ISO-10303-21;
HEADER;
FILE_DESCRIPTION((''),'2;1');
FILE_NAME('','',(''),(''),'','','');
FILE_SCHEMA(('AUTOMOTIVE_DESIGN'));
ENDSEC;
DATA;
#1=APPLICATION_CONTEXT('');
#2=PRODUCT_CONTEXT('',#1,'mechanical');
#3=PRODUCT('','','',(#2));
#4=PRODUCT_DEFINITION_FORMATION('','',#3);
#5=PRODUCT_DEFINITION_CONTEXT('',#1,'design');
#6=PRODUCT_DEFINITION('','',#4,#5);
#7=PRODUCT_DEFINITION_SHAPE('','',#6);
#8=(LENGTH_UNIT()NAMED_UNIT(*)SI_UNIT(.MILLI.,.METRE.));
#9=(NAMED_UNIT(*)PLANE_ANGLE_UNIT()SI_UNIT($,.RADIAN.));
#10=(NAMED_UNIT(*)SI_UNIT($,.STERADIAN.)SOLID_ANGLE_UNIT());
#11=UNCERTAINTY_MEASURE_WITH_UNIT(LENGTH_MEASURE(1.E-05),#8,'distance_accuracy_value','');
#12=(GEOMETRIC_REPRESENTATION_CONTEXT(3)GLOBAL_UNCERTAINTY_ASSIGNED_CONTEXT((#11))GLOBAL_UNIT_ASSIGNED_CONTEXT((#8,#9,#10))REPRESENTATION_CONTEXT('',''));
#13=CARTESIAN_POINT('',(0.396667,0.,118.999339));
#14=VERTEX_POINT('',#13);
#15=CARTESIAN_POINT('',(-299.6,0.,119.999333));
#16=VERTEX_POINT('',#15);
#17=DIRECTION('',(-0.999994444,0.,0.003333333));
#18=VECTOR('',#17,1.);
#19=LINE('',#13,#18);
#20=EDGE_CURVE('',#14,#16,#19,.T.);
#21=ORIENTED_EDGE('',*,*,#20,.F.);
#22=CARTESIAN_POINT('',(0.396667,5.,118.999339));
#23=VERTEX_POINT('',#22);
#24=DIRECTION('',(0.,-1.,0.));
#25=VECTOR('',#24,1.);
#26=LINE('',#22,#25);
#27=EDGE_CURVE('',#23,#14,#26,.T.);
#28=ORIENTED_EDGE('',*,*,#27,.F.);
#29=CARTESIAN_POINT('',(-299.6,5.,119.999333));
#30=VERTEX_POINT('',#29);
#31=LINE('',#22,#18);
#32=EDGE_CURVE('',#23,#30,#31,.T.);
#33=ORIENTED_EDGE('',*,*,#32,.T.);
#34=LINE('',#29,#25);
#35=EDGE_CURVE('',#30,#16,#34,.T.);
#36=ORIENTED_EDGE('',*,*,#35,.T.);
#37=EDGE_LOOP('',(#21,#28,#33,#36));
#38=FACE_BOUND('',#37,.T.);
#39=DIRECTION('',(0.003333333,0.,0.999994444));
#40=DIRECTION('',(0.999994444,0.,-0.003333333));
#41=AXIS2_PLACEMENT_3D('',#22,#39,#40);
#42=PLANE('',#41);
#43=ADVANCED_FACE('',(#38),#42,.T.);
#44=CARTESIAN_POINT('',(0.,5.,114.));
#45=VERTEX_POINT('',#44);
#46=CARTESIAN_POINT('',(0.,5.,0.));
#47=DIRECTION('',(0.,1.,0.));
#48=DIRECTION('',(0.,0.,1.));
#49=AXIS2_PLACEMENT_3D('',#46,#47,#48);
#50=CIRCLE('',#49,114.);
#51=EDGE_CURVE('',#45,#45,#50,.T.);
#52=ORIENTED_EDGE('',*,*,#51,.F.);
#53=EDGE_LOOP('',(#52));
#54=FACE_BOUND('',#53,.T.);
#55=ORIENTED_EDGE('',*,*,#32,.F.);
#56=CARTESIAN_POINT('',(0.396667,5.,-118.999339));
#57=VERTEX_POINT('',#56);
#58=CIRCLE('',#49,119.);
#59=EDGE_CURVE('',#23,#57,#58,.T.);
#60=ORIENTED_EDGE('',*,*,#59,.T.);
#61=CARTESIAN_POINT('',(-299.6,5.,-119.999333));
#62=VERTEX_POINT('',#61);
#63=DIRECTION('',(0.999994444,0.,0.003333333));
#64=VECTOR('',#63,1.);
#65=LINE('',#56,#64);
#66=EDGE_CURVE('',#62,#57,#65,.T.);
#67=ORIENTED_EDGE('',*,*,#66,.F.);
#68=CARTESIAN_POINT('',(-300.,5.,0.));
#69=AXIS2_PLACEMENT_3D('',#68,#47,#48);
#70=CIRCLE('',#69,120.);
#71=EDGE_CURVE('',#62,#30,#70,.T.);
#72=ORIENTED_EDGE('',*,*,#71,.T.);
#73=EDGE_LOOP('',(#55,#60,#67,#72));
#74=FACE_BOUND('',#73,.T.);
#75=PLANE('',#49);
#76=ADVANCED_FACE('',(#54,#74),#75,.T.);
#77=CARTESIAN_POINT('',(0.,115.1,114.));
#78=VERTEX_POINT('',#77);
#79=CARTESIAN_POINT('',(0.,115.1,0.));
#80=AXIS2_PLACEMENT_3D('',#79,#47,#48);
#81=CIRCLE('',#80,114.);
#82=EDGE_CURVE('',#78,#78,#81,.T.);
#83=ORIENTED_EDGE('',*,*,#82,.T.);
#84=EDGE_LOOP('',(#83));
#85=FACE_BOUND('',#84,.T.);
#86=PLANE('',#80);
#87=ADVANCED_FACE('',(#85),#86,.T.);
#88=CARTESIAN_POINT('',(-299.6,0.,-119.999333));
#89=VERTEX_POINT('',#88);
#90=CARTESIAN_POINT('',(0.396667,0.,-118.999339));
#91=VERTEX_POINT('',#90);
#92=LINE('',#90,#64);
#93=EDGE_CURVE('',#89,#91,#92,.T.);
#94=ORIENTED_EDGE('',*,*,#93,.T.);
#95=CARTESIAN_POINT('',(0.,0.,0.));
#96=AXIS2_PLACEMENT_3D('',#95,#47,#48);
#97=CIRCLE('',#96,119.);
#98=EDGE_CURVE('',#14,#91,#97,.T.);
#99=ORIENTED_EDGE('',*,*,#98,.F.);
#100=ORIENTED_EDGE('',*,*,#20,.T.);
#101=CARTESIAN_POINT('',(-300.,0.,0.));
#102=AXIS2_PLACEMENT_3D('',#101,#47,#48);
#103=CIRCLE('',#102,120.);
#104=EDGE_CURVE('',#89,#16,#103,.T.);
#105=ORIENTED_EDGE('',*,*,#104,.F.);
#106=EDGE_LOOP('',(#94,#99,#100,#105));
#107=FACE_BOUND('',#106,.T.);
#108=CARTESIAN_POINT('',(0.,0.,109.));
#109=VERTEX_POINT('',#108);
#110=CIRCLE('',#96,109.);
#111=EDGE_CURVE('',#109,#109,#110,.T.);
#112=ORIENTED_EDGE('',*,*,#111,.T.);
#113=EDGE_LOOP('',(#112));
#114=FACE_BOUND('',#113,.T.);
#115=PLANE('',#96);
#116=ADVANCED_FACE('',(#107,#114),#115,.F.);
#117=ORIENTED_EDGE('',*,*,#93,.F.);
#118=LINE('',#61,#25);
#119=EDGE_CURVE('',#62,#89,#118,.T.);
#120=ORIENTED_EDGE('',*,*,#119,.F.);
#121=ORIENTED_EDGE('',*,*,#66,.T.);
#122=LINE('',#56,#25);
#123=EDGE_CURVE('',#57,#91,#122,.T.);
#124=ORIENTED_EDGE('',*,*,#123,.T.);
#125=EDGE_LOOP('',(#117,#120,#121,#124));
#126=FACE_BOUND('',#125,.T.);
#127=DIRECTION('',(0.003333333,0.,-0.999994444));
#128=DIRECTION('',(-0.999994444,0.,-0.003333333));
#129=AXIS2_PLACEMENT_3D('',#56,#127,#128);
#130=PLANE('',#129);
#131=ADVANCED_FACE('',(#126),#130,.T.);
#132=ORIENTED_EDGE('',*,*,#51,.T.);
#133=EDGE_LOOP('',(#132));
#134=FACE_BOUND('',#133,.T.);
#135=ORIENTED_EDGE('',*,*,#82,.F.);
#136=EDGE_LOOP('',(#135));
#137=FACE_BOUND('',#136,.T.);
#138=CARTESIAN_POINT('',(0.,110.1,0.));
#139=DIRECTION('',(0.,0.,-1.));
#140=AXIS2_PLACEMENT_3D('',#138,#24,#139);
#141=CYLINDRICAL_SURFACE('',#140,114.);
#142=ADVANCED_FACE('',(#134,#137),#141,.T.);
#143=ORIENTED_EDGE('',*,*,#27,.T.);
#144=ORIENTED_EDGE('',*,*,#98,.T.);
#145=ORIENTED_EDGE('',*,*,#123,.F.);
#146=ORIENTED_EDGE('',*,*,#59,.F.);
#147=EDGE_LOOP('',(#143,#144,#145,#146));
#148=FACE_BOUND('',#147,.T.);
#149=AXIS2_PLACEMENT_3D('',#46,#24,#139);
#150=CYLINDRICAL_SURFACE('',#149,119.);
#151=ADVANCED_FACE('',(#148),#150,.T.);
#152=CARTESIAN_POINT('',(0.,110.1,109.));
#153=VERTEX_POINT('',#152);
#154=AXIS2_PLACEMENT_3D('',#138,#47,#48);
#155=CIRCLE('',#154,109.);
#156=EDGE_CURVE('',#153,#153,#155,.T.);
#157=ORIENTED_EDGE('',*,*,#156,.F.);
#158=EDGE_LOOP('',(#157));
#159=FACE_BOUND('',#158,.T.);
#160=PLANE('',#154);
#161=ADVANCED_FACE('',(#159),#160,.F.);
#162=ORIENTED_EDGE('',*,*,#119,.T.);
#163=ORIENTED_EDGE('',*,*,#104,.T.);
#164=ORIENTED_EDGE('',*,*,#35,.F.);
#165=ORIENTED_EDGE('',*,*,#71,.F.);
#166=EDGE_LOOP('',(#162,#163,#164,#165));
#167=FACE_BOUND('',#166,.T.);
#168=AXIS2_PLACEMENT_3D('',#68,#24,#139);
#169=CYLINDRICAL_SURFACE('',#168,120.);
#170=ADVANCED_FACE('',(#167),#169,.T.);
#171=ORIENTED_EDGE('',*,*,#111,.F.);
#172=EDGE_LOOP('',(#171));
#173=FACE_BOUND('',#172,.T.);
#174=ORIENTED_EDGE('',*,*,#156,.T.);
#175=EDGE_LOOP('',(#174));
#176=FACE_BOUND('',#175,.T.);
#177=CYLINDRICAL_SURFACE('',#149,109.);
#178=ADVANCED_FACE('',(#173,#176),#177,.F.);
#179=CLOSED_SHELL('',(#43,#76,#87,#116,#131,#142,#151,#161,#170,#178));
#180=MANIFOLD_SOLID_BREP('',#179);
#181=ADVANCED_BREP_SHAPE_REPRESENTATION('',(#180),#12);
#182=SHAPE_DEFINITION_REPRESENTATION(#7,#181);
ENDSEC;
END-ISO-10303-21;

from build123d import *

# Parameters (mm, degrees)
SKETCH1_R           = 109
BOSS_EXTRUDE1_DEPTH = 5
SKETCH2_R           = 114
SKETCH2_R_2         = 109
BOSS_EXTRUDE2_DEPTH = 105.1
SKETCH3_R           = 114
BOSS_EXTRUDE3_DEPTH = 5


with BuildPart() as part:
    # Sketch1 → Boss-Extrude1 (new body)
    with BuildSketch(Plane(origin=(0, 0, 0), x_dir=(1, 0, 0), z_dir=(0, 1, 0))):
        with BuildLine():
            Line((-299.6, 119.999333331), (0.396666667, 118.999338887))
            ThreePointArc((0.396666667, 118.999338887), (119, 0), (0.396666667, -118.999338887))
            Line((0.396666667, -118.999338887), (-299.6, -119.999333331))
            ThreePointArc((-299.6, -119.999333331), (-420, 0), (-299.6, 119.999333331))
        make_face()
        with BuildLine():
            ThreePointArc((0.38, -113.999366665), (114, 0), (0.38, 113.999366665))
            Line((0.38, 113.999366665), (-299.616666667, 114.999361109))
            ThreePointArc((-299.616666667, 114.999361109), (-415, 0), (-299.616666667, -114.999361109))
            Line((-299.616666667, -114.999361109), (0.38, -113.999366665))
        make_face(mode=Mode.SUBTRACT)
        with BuildLine():
            Line((0.38, -113.999366665), (-299.616666667, -114.999361109))
            ThreePointArc((-299.616666667, -114.999361109), (-415, 0), (-299.616666667, 114.999361109))
            Line((-299.616666667, 114.999361109), (0.38, 113.999366665))
            ThreePointArc((0.38, 113.999366665), (114, 0), (0.38, -113.999366665))
        make_face()
        with Locations(Location((0, 0, 0), (0, 0, 270))):
            Circle(SKETCH1_R, mode=Mode.SUBTRACT)
    extrude(amount=BOSS_EXTRUDE1_DEPTH)

    # Sketch2 → Boss-Extrude2 (add)
    with BuildSketch(Plane(origin=(0, 5, 0), x_dir=(1, 0, 0), z_dir=(0, 1, 0))):
        with Locations(Location((0, 0, 0), (0, 0, 270))):
            Circle(SKETCH2_R)
        with Locations(Location((0, 0, 0), (0, 0, 270))):
            Circle(SKETCH2_R_2, mode=Mode.SUBTRACT)
    extrude(amount=BOSS_EXTRUDE2_DEPTH)

    # Sketch3 → Boss-Extrude3 (add)
    with BuildSketch(Plane(origin=(0, 110.1, 0), x_dir=(1, 0, 0), z_dir=(0, 1, 0))):
        with Locations(Location((0, 0, 0), (0, 0, 270))):
            Circle(SKETCH3_R)
    extrude(amount=BOSS_EXTRUDE3_DEPTH)


solid = part.part
